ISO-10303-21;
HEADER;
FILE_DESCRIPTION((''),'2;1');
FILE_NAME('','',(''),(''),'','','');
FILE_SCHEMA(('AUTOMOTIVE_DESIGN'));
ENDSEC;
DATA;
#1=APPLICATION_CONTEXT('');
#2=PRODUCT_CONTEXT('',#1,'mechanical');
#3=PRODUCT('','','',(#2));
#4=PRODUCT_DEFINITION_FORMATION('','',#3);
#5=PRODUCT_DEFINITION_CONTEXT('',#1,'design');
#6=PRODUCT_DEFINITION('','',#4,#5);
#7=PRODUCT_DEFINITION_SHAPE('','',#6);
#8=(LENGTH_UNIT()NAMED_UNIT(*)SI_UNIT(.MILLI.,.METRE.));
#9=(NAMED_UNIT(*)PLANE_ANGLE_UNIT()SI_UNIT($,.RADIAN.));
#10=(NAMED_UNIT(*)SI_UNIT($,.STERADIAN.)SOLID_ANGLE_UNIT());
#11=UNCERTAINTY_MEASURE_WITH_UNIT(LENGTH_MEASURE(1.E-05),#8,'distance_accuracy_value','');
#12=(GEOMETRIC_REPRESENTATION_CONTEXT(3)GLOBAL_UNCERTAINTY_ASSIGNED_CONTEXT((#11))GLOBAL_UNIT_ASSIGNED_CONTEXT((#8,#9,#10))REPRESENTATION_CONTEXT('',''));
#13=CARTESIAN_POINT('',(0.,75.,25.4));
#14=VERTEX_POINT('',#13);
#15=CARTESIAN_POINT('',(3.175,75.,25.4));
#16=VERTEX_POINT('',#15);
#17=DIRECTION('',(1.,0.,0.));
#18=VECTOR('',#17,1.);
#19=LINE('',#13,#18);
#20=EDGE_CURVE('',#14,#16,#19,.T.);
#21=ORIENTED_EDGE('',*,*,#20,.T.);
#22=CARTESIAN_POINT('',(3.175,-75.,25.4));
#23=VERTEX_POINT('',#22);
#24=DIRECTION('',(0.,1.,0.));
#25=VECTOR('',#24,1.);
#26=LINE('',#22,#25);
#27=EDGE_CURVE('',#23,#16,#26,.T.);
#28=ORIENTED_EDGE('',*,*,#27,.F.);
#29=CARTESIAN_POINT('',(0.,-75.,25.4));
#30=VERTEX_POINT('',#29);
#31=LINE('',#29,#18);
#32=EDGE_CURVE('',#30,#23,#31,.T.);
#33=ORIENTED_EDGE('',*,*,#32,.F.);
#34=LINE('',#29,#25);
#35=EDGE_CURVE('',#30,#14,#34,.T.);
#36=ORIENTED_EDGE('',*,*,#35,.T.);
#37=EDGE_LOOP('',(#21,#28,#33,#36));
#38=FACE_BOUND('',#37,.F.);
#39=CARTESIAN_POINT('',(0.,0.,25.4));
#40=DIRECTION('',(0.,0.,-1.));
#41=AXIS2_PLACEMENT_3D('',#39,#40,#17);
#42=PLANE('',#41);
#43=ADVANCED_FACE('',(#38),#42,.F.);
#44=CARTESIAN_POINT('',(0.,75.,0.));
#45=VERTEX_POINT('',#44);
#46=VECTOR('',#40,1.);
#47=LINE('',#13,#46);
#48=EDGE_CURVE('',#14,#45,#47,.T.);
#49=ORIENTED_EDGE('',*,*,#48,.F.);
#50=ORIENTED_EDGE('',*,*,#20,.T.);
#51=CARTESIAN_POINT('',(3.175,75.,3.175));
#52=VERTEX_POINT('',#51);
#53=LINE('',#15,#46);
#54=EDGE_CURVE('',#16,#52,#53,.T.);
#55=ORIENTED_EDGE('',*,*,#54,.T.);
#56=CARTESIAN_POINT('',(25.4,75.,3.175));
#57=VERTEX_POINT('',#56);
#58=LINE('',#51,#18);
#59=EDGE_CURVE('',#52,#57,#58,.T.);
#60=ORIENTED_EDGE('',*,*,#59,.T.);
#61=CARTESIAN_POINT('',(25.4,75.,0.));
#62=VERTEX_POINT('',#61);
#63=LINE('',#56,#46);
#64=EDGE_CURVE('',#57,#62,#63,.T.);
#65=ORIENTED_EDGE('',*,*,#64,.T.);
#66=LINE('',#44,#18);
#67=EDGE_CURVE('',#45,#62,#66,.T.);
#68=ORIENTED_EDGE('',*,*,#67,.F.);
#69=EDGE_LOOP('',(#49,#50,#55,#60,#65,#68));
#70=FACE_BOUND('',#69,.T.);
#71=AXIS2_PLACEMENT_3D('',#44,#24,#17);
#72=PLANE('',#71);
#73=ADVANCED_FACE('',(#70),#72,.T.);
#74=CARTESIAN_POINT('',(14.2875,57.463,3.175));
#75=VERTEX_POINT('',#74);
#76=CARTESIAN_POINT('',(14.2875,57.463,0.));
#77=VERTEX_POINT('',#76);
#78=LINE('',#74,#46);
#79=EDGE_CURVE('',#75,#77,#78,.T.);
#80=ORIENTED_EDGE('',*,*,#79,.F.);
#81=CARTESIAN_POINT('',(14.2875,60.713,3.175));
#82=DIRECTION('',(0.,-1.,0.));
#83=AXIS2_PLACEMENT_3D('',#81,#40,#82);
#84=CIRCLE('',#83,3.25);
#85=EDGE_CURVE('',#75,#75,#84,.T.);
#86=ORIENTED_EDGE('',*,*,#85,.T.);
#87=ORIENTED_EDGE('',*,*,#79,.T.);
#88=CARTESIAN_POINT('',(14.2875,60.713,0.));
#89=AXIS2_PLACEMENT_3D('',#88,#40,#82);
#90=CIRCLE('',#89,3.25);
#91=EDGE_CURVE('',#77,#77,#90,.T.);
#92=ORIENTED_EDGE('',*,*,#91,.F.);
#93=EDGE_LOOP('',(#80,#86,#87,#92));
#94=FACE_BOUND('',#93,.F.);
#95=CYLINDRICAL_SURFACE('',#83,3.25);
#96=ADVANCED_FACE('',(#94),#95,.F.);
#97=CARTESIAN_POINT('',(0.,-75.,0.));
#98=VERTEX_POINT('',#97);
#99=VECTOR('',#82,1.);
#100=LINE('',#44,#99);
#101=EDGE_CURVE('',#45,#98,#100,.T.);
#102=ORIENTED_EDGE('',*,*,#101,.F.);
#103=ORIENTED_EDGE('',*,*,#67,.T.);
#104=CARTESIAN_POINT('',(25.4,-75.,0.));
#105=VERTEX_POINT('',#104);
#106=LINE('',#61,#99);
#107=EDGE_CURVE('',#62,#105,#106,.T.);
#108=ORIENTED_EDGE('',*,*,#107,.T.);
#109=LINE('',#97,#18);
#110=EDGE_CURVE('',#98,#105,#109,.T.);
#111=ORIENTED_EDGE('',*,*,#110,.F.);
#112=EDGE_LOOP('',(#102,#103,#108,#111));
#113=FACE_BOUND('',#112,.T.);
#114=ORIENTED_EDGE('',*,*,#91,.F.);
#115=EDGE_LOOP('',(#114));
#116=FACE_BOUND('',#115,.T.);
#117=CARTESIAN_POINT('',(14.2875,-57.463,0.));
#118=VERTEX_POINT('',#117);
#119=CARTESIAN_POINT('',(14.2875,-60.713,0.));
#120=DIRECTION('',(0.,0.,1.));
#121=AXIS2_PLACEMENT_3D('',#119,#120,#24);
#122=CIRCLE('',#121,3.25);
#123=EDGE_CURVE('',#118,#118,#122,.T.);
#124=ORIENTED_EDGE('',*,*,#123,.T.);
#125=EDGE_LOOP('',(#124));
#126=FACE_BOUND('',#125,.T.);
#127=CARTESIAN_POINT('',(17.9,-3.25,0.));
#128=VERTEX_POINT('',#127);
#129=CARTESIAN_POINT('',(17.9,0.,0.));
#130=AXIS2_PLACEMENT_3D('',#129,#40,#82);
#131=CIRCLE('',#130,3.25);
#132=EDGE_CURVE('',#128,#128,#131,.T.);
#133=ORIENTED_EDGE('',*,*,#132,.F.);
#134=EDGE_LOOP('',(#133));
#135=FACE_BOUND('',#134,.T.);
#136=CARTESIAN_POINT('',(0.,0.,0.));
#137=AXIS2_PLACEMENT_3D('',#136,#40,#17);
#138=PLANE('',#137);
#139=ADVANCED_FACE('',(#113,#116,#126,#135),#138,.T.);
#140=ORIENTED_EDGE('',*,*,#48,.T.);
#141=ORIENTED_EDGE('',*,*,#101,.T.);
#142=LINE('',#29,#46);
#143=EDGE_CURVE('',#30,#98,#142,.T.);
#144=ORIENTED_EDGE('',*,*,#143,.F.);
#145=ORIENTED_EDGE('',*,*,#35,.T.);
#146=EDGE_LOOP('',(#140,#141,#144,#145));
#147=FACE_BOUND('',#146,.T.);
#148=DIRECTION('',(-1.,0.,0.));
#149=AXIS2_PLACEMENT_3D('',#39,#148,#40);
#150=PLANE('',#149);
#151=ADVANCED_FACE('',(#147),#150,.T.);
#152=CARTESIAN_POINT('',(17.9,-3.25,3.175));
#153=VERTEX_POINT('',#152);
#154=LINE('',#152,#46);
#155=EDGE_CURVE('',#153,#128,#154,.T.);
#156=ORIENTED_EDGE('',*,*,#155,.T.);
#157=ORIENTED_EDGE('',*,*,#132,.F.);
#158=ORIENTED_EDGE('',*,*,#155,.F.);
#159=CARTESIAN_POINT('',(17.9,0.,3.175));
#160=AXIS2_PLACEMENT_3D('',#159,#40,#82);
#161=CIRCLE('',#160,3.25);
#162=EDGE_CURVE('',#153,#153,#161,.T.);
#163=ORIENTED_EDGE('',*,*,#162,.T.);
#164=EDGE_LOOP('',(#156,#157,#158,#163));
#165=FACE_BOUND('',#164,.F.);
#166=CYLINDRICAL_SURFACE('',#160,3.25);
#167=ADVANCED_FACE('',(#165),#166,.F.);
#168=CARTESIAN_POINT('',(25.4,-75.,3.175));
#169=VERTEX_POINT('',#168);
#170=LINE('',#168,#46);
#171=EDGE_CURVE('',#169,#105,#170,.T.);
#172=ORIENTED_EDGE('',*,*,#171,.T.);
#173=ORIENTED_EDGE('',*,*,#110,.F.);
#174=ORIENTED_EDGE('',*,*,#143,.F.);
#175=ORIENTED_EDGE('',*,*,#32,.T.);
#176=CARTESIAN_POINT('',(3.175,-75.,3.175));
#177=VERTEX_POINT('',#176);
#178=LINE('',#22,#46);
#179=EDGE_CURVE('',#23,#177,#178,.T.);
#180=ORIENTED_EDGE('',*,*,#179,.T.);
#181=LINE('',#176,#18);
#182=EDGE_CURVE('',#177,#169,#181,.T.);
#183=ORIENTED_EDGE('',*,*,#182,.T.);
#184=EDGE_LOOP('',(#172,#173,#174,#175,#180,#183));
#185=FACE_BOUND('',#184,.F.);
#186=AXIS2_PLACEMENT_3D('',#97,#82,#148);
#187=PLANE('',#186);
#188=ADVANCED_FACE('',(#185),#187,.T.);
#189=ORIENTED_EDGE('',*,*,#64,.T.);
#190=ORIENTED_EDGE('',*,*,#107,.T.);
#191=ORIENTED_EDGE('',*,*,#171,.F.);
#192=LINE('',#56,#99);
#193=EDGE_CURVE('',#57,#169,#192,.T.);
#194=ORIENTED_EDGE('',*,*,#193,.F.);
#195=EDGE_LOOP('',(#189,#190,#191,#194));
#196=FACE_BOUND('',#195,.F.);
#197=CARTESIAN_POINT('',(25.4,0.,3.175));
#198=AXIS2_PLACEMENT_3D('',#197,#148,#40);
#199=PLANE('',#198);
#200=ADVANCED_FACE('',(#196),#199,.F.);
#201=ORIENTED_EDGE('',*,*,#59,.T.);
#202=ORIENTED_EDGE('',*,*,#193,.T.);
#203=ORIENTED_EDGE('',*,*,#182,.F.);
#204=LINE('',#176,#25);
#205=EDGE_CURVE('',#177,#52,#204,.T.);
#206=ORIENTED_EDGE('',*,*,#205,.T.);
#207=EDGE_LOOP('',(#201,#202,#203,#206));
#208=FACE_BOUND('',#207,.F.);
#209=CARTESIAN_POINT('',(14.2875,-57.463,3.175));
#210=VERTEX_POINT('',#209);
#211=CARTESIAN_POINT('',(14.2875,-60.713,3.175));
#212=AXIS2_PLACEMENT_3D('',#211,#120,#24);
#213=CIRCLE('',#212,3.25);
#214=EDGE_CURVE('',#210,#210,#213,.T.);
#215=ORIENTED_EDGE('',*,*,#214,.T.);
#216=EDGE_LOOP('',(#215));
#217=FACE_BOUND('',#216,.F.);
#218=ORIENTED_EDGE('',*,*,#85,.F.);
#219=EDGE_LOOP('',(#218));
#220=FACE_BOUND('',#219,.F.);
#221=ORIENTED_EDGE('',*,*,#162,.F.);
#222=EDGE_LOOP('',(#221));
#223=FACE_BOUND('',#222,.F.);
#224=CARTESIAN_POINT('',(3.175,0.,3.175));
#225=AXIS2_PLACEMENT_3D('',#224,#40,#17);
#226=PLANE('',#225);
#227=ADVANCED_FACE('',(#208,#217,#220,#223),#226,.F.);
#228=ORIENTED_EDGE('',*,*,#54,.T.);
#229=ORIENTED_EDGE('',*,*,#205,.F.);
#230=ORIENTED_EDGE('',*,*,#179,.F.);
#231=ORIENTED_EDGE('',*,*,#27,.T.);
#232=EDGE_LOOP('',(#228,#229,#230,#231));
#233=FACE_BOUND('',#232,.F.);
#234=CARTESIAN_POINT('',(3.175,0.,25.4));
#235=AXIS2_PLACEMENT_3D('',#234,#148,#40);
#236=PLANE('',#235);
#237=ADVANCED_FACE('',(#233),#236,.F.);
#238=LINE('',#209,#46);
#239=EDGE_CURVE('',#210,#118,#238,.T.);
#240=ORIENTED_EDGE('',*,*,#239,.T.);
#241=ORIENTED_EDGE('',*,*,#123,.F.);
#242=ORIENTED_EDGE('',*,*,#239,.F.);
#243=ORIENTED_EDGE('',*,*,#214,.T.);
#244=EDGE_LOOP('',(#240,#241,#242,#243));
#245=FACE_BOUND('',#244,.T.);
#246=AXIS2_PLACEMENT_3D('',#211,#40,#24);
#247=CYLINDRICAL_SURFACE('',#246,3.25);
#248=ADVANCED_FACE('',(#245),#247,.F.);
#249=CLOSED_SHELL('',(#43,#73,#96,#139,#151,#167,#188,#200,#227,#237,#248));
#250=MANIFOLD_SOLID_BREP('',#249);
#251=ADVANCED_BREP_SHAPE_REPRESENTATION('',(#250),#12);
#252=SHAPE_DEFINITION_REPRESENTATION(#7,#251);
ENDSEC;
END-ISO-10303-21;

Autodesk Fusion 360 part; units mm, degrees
sketch "Sketch1" plane through (0, 0, 0) normal (0, 1, 0) x (1, 0, 0)
  line L0 (0, -25.4) -> (0, 0)
  line L1 (0, 0) -> (25.4, 0)
  line L2 (12.7, -12.7) -> (11.05, -11.05) construction
  line L3 (3.175, -25.4) -> (3.175, -3.175)
  line L4 (3.175, -3.175) -> (25.4, -3.175)
  line L5 (25.4, -3.175) -> (25.4, 0)
  line L6 (0, -25.4) -> (3.175, -25.4)
  dimension "d1" = 25.4
  dimension "d2" = 25.4
  dimension "d13" = 3.175
extrude "Extrude1" add sketch "Sketch1" along normal blind 75
hole "Hole3" at (3.175, 110.487, 14.2875) direction (-1, 0, 0) diameter 6.5 end through all
hole "Hole4" at (14.2875, 60.713, 3.175) direction (0, 0, -1) diameter 6.5 depth 30 tip angle 118
mirror "Mirror1" about plane through (0, 0, 0) normal (0, 1, 0) of bodies 1 merged
hole "Hole5" at (17.9, 0, 3.175) direction (0, 0, -1) diameter 6.5 depth 30 tip angle 118
equation "d27 = ( 22.225 / 2 ) * 1 mm"
equation "d35 = ( 22.225 / 2 ) * 1 mm"
